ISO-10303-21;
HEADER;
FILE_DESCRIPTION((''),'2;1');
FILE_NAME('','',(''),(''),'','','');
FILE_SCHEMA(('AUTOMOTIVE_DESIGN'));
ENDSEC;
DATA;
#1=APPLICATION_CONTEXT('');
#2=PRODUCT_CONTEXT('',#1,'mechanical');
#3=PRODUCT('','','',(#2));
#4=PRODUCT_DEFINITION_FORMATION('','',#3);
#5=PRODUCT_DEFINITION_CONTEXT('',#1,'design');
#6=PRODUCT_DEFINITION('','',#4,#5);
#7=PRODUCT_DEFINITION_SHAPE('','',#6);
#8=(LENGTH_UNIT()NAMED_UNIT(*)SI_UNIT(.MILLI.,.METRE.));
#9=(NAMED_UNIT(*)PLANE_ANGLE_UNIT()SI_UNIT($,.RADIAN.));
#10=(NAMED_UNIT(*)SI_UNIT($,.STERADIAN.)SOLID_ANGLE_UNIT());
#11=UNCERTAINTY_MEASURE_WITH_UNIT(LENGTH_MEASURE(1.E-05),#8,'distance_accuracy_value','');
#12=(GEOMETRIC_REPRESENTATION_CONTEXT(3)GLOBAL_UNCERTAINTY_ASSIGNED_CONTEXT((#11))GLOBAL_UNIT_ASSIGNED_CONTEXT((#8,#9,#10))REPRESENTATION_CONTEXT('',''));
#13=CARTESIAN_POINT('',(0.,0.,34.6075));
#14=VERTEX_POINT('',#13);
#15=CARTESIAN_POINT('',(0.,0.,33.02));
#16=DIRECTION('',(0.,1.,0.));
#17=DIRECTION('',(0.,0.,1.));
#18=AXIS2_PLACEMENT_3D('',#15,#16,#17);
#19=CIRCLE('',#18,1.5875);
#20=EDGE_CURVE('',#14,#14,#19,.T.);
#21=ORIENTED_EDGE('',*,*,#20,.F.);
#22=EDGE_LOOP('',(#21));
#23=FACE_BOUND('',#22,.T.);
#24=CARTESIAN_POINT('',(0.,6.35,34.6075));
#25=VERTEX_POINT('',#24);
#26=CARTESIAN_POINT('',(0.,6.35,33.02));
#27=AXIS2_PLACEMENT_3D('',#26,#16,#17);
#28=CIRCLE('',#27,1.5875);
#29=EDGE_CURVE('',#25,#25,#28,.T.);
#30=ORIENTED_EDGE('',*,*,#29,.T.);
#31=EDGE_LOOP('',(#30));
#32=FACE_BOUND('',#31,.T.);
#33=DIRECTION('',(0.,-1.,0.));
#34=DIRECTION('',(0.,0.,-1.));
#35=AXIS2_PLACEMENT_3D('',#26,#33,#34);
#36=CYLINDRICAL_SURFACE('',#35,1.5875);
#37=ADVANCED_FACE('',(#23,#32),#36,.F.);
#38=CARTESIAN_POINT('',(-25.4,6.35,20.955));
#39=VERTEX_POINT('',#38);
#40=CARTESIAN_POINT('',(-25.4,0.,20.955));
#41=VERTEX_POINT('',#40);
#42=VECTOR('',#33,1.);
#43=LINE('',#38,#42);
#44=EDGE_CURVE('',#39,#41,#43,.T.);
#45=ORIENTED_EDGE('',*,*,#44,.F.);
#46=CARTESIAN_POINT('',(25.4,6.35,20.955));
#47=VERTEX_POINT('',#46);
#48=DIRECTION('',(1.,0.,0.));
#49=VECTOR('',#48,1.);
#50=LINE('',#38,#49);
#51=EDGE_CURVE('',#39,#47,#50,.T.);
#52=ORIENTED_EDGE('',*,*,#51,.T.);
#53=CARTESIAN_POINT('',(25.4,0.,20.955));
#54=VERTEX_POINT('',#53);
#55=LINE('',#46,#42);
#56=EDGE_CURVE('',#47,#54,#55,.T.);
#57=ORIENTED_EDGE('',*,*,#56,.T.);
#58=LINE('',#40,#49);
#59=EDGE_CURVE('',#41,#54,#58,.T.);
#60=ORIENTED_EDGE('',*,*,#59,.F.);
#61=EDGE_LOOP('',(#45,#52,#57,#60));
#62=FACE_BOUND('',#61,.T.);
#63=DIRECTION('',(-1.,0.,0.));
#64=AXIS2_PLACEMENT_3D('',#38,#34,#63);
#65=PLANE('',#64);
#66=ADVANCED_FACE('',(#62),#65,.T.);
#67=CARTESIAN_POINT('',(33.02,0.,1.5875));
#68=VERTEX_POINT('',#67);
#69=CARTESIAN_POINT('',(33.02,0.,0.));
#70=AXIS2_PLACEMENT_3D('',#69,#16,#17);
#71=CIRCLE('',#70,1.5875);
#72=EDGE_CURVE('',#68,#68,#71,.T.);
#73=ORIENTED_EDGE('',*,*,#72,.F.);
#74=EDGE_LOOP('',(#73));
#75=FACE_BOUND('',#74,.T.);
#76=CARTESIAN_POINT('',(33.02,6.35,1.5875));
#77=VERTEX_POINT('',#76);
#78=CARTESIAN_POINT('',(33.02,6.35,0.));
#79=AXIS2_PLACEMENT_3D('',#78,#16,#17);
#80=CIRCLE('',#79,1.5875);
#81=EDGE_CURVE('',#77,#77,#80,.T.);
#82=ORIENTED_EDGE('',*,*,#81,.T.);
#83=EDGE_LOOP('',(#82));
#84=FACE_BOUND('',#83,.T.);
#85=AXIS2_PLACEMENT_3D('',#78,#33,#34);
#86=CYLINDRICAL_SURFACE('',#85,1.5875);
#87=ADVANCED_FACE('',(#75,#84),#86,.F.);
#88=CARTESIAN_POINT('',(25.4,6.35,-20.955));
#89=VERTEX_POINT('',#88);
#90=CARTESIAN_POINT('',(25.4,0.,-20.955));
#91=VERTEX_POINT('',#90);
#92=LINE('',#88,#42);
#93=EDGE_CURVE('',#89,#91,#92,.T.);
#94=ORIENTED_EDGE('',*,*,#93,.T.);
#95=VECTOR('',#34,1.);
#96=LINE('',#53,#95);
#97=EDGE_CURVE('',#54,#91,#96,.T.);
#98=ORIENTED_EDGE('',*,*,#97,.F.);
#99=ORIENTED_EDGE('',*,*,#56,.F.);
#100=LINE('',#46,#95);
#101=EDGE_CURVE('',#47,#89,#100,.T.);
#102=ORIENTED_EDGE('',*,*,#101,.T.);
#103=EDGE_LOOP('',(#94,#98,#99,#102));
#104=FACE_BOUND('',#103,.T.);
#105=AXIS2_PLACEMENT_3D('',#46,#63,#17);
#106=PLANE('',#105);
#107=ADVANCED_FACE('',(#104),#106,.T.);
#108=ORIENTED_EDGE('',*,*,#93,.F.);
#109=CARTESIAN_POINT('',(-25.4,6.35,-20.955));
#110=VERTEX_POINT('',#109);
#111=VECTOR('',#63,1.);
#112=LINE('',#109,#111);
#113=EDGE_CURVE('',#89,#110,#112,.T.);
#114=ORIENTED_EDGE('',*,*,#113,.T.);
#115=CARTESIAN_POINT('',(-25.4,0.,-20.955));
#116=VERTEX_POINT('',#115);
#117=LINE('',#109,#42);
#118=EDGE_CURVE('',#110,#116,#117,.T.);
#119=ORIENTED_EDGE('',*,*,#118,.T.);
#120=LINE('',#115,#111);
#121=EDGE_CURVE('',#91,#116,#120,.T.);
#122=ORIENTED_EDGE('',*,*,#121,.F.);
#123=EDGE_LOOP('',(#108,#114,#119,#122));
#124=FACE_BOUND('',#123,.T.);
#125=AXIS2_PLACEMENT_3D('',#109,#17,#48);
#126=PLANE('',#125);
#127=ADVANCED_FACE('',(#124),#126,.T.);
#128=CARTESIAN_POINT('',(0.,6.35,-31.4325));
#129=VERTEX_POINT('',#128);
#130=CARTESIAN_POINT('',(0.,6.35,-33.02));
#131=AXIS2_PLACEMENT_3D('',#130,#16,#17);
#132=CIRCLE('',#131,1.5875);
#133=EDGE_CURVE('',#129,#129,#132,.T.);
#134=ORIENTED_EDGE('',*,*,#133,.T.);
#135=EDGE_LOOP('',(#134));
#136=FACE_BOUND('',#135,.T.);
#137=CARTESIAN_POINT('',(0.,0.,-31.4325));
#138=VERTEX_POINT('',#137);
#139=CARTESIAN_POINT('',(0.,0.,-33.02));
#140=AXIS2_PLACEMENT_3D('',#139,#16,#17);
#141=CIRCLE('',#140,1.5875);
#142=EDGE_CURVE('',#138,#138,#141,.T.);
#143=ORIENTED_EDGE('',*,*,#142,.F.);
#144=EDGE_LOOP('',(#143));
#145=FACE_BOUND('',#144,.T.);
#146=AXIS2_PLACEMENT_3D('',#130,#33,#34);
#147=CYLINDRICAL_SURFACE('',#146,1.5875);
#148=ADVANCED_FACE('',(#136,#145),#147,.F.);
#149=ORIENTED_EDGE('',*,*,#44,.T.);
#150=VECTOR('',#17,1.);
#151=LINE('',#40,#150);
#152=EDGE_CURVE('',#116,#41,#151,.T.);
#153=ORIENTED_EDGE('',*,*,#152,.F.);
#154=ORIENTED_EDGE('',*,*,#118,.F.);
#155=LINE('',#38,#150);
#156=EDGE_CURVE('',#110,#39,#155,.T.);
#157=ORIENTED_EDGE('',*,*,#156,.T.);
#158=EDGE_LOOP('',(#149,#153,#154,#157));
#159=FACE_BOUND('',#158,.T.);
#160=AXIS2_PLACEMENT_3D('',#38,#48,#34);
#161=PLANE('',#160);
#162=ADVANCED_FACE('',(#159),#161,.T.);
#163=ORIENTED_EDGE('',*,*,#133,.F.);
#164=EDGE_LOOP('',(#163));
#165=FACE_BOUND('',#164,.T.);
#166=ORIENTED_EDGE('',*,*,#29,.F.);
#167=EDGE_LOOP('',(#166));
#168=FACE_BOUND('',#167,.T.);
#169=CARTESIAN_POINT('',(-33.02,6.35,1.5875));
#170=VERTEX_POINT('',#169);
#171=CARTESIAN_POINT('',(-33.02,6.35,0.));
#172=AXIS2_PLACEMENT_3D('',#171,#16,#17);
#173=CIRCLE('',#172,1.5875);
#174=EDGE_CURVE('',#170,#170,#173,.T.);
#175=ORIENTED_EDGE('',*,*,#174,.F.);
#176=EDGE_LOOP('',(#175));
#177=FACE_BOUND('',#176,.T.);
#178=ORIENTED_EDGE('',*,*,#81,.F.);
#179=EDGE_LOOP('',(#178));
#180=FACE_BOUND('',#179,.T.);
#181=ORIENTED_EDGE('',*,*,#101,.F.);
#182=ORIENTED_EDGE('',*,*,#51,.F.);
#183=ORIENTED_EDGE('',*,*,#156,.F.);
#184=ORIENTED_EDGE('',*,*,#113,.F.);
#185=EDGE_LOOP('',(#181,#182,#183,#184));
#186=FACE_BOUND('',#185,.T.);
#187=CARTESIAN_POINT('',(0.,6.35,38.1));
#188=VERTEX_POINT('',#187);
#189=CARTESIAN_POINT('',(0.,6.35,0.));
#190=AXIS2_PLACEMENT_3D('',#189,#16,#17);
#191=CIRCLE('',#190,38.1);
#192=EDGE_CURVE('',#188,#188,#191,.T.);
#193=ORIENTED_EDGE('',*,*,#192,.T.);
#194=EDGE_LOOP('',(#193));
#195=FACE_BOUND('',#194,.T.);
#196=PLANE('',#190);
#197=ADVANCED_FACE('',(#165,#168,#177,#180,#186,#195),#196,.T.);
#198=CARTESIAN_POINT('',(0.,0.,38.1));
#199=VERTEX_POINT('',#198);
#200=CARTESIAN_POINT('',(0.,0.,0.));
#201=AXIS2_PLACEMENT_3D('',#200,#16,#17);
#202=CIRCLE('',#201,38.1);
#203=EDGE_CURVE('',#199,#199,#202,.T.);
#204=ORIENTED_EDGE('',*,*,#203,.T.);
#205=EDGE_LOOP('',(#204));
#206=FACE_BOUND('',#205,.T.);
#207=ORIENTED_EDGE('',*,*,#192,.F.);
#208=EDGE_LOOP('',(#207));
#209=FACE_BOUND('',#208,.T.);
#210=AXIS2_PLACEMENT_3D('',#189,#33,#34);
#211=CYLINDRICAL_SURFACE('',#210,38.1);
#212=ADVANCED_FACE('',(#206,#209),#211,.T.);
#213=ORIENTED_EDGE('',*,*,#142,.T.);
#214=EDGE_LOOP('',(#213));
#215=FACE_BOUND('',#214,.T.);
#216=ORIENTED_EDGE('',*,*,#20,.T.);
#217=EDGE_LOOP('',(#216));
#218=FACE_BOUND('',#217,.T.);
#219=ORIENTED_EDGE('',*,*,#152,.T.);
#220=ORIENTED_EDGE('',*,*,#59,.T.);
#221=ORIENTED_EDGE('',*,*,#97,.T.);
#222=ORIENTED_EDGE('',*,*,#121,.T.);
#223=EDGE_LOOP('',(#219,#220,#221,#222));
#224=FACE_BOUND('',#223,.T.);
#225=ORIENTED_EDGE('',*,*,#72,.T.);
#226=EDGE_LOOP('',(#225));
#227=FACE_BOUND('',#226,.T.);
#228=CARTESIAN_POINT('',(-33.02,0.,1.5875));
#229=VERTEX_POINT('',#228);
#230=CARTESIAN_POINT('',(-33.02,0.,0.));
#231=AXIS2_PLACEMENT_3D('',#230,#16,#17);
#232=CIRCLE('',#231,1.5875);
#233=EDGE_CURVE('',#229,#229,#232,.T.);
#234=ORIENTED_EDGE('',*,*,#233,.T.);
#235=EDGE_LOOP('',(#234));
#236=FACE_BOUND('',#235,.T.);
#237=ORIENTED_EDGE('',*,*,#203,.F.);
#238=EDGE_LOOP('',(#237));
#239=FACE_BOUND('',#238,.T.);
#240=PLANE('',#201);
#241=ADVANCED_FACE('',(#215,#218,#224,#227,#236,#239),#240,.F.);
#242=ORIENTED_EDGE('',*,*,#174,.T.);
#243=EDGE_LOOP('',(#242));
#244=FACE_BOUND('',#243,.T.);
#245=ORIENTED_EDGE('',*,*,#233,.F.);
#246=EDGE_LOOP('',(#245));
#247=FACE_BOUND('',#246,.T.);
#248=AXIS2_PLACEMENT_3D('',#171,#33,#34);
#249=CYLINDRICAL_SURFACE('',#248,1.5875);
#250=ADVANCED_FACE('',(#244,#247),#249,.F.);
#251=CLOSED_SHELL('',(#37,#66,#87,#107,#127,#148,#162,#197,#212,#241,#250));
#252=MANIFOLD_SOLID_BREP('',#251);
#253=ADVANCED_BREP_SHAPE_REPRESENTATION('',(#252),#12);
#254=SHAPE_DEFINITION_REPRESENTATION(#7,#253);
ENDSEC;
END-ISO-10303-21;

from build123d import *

# Parameters (mm, degrees)
SKETCH1_R           = 38.1
SKETCH1_R_2         = 1.5875
SKETCH1_W           = 50.8
SKETCH1_H           = 41.91
BOSS_EXTRUDE1_DEPTH = 6.35


with BuildPart() as part:
    # Sketch1 → Boss-Extrude1 (new body)
    with BuildSketch(Plane(origin=(0, 0, 0), x_dir=(1, 0, 0), z_dir=(0, 1, 0))):
        with Locations(Location((0, 0, 0), (0, 0, 270))):
            Circle(SKETCH1_R)
        with Locations(Location((0, 33.02, 0), (0, 0, 270))):
            Circle(SKETCH1_R_2, mode=Mode.SUBTRACT)
        with Locations(Location((33.02, 0, 0), (0, 0, 270))):
            Circle(SKETCH1_R_2, mode=Mode.SUBTRACT)
        with Locations(Location((0, -33.02, 0), (0, 0, 270))):
            Circle(SKETCH1_R_2, mode=Mode.SUBTRACT)
        with Locations(Location((-33.02, 0, 0), (0, 0, 270))):
            Circle(SKETCH1_R_2, mode=Mode.SUBTRACT)
        Rectangle(SKETCH1_W, SKETCH1_H, mode=Mode.SUBTRACT)
    extrude(amount=BOSS_EXTRUDE1_DEPTH)


solid = part.part
